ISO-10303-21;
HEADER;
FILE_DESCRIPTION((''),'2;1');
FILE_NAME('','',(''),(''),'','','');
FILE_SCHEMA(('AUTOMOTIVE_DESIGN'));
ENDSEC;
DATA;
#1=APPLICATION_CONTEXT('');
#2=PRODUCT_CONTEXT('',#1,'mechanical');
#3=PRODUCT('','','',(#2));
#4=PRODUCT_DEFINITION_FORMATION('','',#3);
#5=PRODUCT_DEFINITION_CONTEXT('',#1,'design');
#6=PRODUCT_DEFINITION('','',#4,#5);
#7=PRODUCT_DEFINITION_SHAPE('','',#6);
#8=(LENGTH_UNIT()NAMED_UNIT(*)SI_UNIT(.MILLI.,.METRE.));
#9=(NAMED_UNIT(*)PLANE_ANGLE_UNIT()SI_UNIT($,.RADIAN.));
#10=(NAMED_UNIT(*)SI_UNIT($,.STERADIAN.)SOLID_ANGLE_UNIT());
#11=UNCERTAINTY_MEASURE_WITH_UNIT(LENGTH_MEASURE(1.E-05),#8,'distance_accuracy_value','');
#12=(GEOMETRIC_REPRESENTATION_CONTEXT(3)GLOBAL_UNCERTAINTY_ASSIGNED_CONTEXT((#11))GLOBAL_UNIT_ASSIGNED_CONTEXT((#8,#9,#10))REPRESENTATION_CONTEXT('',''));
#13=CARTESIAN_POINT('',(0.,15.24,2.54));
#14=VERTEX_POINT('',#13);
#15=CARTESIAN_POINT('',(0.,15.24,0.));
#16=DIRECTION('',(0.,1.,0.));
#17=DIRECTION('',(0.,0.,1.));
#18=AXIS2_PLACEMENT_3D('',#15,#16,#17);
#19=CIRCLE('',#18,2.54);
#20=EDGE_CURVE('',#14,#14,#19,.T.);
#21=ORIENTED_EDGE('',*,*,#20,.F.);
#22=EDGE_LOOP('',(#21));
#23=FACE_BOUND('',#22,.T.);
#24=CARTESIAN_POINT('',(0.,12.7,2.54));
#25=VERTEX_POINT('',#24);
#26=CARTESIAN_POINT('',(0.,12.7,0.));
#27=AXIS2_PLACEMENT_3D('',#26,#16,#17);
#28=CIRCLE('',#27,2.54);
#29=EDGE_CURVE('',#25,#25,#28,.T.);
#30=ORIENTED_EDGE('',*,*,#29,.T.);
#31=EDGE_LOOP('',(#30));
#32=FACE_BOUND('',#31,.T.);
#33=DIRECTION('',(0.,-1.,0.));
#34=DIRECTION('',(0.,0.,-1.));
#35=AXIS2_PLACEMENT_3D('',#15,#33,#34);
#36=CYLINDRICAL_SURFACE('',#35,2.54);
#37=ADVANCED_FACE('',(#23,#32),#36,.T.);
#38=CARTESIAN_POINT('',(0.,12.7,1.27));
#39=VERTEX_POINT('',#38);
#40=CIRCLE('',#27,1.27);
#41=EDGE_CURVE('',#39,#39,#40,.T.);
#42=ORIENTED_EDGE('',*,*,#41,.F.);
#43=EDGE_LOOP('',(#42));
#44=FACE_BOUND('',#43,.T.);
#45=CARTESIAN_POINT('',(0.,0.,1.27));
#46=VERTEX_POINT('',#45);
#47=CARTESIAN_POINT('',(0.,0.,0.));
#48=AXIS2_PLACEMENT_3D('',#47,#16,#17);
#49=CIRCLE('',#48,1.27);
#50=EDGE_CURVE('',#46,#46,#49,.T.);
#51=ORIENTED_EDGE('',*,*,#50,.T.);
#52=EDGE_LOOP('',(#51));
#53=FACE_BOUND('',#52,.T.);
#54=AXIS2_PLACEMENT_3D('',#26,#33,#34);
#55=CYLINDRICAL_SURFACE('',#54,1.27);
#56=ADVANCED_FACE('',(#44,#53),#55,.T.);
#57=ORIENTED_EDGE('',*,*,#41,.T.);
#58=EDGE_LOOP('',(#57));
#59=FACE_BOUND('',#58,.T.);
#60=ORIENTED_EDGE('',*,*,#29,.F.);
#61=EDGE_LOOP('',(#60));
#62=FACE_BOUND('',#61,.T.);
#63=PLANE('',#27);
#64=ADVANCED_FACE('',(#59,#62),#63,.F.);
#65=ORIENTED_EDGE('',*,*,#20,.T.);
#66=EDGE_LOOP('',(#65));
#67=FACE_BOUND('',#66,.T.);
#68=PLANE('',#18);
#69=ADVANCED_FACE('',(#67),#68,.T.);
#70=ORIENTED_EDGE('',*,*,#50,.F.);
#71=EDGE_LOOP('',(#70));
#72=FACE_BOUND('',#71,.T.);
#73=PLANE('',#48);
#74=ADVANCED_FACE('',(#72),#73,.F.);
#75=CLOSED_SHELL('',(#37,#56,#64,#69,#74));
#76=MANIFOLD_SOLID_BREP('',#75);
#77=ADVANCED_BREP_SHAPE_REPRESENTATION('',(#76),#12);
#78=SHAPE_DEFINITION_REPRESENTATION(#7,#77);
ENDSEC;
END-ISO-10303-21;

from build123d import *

# Parameters (mm, degrees)
SKETCH1_R           = 1.27
BOSS_EXTRUDE1_DEPTH = 12.7
SKETCH2_R           = 2.54
BOSS_EXTRUDE2_DEPTH = 2.54


with BuildPart() as part:
    # Sketch1 → Boss-Extrude1 (new body)
    with BuildSketch(Plane(origin=(0, 0, 0), x_dir=(1, 0, 0), z_dir=(0, 1, 0))):
        Circle(SKETCH1_R)
    extrude(amount=BOSS_EXTRUDE1_DEPTH)

    # Sketch2 → Boss-Extrude2 (add)
    with BuildSketch(Plane(origin=(0, 12.7, 0), x_dir=(1, 0, 0), z_dir=(0, 1, 0))):
        Circle(SKETCH2_R)
    extrude(amount=BOSS_EXTRUDE2_DEPTH)


solid = part.part
